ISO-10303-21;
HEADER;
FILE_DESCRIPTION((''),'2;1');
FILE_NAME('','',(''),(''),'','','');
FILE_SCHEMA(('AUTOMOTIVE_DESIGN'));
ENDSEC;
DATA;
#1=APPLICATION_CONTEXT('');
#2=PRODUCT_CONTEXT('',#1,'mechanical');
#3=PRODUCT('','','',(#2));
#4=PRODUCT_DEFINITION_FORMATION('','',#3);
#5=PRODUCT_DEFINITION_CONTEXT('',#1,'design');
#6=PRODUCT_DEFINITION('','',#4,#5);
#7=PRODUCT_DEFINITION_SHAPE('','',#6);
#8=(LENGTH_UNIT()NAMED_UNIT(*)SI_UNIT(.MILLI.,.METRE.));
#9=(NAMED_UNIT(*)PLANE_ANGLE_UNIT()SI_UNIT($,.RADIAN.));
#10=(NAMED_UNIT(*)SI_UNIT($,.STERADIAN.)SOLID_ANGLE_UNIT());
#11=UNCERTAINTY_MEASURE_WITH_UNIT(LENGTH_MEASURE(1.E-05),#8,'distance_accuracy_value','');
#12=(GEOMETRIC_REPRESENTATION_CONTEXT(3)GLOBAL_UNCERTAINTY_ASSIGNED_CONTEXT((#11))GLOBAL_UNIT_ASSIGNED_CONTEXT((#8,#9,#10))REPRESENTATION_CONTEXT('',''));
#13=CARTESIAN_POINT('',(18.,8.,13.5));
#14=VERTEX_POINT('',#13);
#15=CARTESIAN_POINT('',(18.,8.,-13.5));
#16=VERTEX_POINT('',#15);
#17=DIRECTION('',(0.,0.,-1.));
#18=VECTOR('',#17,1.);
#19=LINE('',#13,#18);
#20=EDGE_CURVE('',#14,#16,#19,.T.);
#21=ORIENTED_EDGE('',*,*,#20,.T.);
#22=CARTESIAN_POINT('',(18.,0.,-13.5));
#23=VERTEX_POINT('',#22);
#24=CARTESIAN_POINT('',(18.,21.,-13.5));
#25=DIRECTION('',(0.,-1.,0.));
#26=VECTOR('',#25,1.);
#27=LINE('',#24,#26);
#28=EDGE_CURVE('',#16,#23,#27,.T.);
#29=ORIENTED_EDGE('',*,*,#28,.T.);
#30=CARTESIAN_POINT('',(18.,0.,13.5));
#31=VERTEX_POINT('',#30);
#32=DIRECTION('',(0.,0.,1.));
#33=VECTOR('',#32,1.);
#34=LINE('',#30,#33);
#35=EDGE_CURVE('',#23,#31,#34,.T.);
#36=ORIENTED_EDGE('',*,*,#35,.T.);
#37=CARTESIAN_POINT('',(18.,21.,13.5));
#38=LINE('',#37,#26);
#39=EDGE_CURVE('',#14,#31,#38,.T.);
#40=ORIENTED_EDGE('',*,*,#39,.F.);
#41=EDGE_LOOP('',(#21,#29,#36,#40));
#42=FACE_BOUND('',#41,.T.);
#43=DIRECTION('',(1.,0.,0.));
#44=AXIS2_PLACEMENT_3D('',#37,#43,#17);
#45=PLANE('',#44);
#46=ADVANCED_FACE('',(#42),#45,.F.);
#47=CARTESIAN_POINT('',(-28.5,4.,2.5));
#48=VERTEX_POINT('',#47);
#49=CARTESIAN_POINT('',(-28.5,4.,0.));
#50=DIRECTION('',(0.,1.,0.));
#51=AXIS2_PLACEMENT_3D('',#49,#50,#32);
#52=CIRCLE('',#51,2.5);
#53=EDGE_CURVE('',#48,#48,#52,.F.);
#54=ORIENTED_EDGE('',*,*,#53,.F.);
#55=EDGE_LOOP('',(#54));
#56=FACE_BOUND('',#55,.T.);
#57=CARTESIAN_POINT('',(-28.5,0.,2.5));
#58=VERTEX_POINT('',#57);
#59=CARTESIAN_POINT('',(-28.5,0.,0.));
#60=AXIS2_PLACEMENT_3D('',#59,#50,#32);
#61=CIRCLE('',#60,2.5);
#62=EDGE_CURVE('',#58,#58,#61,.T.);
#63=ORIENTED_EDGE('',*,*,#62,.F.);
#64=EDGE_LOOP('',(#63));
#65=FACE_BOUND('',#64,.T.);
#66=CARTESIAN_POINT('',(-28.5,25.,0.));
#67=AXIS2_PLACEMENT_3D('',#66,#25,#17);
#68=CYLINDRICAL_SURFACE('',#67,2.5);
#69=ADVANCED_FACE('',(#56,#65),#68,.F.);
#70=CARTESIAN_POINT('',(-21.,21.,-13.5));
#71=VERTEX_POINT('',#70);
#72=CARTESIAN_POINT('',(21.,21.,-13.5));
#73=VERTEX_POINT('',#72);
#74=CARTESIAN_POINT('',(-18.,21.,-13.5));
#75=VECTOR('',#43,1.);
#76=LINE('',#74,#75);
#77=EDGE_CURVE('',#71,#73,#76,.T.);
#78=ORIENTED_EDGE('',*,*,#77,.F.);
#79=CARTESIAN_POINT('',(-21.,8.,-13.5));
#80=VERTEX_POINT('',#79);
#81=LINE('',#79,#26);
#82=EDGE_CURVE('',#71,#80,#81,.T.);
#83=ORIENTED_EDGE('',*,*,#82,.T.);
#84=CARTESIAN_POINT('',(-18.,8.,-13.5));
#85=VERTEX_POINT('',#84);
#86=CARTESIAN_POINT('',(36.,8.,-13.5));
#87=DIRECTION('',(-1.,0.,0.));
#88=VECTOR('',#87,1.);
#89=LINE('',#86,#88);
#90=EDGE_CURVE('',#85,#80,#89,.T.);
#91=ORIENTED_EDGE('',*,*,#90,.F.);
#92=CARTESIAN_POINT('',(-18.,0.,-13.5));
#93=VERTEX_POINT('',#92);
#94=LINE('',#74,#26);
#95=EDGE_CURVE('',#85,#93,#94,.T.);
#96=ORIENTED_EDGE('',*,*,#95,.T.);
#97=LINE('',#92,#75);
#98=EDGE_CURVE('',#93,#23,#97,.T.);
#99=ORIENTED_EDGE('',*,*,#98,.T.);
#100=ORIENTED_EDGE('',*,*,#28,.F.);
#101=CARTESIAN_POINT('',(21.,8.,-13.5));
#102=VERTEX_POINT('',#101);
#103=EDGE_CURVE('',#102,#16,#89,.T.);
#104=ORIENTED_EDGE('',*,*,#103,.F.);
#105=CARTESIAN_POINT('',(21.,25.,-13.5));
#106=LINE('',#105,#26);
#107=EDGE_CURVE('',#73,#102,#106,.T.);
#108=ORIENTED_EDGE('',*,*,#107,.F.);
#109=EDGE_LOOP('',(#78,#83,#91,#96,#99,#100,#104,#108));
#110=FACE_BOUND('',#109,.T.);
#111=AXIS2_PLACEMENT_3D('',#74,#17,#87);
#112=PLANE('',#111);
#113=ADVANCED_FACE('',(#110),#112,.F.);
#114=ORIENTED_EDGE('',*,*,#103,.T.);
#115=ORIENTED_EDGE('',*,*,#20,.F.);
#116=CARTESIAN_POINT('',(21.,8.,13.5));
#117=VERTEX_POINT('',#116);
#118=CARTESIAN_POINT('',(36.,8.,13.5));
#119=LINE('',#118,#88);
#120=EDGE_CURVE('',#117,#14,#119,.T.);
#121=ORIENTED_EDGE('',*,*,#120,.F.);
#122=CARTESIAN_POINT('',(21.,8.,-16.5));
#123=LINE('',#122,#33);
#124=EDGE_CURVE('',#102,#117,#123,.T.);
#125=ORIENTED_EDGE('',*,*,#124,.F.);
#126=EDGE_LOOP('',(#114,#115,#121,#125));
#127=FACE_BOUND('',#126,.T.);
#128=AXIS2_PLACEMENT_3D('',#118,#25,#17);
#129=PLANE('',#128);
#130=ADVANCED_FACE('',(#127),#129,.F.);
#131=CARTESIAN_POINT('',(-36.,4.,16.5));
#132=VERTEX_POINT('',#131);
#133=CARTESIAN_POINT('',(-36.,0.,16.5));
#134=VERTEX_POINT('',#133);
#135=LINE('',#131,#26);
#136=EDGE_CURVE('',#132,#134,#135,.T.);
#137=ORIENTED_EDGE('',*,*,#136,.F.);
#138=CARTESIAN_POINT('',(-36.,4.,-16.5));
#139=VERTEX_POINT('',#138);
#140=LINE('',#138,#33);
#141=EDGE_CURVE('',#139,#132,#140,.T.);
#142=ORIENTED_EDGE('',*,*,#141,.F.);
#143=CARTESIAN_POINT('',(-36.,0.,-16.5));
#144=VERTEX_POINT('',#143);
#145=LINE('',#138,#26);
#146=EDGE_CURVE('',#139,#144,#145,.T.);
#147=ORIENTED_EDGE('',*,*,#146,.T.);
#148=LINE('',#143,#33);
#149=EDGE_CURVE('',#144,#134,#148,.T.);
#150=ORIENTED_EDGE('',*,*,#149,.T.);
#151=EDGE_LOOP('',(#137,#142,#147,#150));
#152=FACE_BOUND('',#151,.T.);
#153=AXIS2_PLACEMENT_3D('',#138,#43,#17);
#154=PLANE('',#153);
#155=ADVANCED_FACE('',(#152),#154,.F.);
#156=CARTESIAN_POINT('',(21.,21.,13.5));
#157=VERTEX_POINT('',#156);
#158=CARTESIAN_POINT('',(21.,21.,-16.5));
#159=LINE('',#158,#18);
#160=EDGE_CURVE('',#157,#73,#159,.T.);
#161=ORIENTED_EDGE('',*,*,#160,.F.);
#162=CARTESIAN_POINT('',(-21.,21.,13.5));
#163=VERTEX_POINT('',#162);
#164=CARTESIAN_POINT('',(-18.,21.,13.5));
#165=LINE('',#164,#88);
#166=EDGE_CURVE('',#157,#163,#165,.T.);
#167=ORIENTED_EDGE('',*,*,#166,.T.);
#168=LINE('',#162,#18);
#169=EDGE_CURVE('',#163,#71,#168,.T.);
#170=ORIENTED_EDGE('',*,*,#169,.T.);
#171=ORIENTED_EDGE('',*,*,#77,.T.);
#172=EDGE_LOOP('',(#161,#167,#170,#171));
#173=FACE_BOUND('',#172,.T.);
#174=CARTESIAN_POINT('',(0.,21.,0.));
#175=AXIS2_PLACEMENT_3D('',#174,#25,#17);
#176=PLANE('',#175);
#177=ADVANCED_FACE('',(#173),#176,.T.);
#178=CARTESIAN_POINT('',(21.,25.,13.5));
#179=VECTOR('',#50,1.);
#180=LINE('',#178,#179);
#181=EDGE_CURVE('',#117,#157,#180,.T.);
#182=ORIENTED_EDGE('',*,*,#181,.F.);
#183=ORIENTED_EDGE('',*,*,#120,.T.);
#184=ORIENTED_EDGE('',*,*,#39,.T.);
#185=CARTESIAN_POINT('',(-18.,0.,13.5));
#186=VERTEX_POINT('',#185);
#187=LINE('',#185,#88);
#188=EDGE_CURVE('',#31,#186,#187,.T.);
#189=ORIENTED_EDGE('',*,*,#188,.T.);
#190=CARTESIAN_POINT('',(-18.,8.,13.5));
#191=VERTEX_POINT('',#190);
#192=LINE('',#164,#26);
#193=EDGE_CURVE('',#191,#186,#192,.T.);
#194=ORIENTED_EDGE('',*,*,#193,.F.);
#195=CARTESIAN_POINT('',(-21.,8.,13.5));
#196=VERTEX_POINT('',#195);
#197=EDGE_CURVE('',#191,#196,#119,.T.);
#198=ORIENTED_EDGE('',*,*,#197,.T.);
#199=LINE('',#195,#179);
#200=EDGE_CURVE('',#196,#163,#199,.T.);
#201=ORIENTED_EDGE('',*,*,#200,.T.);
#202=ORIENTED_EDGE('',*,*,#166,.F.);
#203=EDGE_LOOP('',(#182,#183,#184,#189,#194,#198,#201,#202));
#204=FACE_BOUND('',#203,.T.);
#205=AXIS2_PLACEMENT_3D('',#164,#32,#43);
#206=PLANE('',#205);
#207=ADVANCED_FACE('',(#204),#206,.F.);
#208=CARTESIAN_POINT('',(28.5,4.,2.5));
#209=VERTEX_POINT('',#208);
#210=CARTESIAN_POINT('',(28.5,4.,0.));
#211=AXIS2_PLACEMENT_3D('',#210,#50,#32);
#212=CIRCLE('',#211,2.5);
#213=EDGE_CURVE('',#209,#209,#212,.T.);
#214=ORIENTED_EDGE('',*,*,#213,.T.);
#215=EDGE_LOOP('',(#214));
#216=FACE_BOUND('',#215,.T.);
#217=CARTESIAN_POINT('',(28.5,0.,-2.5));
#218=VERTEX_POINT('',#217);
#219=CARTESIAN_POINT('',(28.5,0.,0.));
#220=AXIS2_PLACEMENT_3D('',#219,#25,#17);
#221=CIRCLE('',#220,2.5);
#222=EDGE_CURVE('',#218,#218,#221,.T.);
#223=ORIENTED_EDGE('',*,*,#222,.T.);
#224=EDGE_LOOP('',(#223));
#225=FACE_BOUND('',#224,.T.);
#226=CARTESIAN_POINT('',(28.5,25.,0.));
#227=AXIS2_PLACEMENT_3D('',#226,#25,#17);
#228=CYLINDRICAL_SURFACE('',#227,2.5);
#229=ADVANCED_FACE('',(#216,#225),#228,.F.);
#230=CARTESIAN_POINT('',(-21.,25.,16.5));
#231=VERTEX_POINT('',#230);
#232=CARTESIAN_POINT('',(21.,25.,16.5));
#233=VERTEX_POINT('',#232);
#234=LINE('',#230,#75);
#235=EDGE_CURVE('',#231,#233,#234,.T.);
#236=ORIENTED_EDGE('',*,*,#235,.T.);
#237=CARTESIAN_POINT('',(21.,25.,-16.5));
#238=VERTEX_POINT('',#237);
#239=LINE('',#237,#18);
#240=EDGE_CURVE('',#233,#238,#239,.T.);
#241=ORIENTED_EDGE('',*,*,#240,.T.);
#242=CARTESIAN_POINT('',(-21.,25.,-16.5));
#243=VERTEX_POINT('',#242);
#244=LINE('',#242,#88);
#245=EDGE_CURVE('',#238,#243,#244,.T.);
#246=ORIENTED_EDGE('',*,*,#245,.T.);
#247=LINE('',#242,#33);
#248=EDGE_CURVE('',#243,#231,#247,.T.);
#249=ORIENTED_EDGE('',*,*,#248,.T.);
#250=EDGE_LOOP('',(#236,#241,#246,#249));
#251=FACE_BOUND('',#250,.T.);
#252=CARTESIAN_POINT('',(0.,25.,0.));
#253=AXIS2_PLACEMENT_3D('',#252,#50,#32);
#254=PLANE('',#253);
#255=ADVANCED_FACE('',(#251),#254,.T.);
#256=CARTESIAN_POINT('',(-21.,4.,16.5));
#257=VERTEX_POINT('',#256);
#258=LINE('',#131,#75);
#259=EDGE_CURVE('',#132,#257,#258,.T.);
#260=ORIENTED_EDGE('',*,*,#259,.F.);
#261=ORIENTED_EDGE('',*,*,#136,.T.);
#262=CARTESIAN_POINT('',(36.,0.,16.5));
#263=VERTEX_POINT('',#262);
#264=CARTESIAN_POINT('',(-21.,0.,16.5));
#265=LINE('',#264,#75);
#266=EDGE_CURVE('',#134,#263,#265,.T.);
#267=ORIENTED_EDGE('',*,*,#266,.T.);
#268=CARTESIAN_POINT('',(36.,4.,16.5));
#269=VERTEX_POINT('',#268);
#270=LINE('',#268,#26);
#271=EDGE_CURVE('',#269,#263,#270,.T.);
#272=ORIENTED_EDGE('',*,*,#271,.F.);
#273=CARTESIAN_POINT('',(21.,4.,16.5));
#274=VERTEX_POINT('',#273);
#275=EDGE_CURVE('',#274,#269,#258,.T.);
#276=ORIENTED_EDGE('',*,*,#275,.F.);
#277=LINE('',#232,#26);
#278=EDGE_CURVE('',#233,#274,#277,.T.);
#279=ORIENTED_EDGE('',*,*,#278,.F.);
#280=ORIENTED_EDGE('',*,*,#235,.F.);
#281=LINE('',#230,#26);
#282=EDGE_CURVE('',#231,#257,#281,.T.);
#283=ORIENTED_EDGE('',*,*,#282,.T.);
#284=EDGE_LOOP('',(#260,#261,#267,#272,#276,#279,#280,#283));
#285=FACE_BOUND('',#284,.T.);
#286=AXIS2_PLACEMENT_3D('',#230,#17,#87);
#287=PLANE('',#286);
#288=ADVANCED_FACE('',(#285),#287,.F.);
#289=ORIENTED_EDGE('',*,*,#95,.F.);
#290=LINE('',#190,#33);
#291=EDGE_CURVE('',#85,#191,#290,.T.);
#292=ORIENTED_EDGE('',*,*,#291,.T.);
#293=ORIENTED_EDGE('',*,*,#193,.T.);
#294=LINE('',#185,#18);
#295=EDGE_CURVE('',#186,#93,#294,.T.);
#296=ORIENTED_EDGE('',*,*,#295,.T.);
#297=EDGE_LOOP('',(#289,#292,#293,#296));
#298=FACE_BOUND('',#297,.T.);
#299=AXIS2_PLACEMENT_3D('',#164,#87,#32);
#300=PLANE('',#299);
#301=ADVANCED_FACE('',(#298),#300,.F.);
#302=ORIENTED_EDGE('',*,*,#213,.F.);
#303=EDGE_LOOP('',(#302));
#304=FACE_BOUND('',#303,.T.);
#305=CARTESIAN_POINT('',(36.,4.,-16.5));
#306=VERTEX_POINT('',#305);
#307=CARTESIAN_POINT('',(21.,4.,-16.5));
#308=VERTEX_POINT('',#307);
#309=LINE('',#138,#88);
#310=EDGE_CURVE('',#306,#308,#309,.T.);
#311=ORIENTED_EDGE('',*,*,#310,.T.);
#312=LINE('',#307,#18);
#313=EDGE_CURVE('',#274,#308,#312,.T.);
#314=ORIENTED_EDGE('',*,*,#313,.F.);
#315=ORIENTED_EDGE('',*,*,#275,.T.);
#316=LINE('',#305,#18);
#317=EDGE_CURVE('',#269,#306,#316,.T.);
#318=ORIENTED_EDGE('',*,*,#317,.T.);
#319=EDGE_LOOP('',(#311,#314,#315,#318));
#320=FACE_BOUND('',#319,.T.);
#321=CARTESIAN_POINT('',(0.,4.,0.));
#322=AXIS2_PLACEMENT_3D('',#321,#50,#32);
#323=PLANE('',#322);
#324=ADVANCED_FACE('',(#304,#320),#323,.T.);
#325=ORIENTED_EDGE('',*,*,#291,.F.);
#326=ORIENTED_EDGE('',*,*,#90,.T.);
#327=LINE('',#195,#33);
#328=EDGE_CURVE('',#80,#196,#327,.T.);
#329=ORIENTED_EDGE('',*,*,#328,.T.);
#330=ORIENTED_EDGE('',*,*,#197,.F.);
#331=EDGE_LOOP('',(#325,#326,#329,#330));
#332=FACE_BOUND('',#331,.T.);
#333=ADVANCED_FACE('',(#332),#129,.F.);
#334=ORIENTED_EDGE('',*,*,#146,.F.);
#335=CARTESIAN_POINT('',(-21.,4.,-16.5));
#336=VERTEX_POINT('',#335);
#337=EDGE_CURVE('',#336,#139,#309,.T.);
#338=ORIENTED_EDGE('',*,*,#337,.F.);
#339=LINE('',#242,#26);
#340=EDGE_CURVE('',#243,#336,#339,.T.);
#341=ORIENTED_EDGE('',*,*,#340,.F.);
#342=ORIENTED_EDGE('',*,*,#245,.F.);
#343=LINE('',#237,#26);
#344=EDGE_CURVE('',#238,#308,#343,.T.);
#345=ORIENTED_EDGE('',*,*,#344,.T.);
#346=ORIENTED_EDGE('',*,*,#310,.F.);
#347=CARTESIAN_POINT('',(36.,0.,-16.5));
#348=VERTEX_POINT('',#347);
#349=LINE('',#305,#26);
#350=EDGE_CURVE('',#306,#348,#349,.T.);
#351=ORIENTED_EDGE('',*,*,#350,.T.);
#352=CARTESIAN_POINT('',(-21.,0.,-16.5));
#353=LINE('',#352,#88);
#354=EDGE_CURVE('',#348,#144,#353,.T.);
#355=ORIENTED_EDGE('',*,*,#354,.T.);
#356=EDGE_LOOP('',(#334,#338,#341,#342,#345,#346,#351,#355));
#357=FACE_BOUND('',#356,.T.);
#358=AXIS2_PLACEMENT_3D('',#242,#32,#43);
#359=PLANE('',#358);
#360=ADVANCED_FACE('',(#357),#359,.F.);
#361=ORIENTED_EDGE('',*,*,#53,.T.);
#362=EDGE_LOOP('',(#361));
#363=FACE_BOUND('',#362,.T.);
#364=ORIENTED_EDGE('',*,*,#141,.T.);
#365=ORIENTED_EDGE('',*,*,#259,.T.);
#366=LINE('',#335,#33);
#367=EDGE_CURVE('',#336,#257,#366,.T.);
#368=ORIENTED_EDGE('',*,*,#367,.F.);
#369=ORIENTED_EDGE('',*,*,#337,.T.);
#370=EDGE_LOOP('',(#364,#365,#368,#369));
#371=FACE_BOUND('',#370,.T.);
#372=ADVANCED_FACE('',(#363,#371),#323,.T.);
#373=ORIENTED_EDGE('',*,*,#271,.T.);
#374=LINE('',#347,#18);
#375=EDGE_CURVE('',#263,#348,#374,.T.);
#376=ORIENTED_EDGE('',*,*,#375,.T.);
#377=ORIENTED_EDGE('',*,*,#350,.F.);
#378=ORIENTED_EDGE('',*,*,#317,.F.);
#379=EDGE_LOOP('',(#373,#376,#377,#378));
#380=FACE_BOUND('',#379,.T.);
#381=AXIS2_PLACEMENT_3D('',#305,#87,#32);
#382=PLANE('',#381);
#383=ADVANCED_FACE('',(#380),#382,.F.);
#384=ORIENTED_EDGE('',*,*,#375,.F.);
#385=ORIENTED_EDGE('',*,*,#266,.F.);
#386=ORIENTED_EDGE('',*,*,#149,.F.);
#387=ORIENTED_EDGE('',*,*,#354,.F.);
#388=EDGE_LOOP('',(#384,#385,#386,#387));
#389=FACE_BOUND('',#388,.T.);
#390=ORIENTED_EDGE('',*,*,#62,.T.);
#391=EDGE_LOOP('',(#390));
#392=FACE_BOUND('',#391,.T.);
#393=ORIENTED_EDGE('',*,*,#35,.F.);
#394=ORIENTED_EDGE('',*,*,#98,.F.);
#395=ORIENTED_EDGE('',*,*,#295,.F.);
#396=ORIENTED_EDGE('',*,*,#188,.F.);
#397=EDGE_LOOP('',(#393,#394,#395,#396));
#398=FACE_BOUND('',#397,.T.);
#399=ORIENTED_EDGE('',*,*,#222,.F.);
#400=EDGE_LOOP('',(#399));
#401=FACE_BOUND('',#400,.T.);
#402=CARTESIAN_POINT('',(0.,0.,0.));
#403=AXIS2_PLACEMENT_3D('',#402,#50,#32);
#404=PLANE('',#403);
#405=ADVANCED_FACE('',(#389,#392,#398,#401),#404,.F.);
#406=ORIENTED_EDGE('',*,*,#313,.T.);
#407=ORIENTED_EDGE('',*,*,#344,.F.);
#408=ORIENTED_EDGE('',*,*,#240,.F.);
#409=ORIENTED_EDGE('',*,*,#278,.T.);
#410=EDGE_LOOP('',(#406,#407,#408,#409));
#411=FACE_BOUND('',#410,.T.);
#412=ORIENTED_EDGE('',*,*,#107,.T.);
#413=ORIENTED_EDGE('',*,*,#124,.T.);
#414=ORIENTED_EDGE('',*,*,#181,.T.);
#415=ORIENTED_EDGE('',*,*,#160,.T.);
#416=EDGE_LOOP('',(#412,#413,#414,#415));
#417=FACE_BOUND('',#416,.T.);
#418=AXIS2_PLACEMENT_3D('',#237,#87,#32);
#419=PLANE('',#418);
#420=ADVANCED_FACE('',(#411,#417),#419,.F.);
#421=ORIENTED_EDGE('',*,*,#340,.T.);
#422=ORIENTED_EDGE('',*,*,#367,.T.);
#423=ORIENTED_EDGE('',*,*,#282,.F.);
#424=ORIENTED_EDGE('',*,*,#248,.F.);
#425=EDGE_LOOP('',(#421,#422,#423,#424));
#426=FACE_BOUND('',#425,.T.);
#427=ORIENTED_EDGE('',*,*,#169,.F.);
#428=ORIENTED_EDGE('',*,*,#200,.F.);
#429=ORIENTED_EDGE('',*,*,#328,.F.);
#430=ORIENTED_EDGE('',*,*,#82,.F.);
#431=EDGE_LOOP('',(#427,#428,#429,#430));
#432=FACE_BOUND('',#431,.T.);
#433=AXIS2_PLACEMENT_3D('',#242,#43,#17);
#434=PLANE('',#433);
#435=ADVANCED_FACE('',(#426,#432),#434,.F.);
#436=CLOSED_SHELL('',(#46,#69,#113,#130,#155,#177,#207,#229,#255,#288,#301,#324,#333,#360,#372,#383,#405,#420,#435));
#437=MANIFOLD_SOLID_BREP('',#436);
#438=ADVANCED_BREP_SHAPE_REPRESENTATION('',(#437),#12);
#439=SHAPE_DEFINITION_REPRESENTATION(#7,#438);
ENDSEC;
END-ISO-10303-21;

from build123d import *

# Parameters (mm, degrees)
SKETCH_1_W          = 42
SKETCH_1_H          = 33
EXTRUDE_1_DEPTH     = 25
SKETCH_2_W          = 72
SKETCH_2_H          = 33
EXTRUDE_2_DEPTH     = 4
SKETCH_3_W          = 36
SKETCH_3_H          = 27
CUT_EXTRUDE_1_DEPTH = 21
SKETCH_4_W          = 27
SKETCH_4_H          = 13
CUT_EXTRUDE_2_DEPTH = 58
SKETCH_5_R          = 2.5
CUT_EXTRUDE_3_DEPTH = 26


with BuildPart() as part:
    # 草圖1 → 填料-伸長1 (new body)
    with BuildSketch(Plane(origin=(0, 0, 0), x_dir=(1, 0, 0), z_dir=(0, 1, 0))):
        Rectangle(SKETCH_1_W, SKETCH_1_H)
    extrude(amount=EXTRUDE_1_DEPTH)

    # 草圖2 → 填料-伸長2 (add)
    with BuildSketch(Plane(origin=(0, 0, 0), x_dir=(1, 0, 0), z_dir=(0, 1, 0))):
        Rectangle(SKETCH_2_W, SKETCH_2_H)
    extrude(amount=EXTRUDE_2_DEPTH)

    # 草圖3 → 除料-伸長1 (cut)
    with BuildSketch(Plane.XZ):
        Rectangle(SKETCH_3_W, SKETCH_3_H)
    extrude(amount=-CUT_EXTRUDE_1_DEPTH, mode=Mode.SUBTRACT)

    # 草圖4 → 除料-伸長2 (cut, through all)
    with BuildSketch(Plane.ZY.offset(21)):
        with Locations((0, 14.5)):
            Rectangle(SKETCH_4_W, SKETCH_4_H)
    extrude(amount=-CUT_EXTRUDE_2_DEPTH, mode=Mode.SUBTRACT)

    # 草圖5 → 除料-伸長3 (cut, through all)
    with BuildSketch(Plane.XZ):
        with Locations((28.5, 0)):
            Circle(SKETCH_5_R)
        with Locations((-28.5, 0)):
            Circle(SKETCH_5_R)
    extrude(amount=-CUT_EXTRUDE_3_DEPTH, mode=Mode.SUBTRACT)


solid = part.part
